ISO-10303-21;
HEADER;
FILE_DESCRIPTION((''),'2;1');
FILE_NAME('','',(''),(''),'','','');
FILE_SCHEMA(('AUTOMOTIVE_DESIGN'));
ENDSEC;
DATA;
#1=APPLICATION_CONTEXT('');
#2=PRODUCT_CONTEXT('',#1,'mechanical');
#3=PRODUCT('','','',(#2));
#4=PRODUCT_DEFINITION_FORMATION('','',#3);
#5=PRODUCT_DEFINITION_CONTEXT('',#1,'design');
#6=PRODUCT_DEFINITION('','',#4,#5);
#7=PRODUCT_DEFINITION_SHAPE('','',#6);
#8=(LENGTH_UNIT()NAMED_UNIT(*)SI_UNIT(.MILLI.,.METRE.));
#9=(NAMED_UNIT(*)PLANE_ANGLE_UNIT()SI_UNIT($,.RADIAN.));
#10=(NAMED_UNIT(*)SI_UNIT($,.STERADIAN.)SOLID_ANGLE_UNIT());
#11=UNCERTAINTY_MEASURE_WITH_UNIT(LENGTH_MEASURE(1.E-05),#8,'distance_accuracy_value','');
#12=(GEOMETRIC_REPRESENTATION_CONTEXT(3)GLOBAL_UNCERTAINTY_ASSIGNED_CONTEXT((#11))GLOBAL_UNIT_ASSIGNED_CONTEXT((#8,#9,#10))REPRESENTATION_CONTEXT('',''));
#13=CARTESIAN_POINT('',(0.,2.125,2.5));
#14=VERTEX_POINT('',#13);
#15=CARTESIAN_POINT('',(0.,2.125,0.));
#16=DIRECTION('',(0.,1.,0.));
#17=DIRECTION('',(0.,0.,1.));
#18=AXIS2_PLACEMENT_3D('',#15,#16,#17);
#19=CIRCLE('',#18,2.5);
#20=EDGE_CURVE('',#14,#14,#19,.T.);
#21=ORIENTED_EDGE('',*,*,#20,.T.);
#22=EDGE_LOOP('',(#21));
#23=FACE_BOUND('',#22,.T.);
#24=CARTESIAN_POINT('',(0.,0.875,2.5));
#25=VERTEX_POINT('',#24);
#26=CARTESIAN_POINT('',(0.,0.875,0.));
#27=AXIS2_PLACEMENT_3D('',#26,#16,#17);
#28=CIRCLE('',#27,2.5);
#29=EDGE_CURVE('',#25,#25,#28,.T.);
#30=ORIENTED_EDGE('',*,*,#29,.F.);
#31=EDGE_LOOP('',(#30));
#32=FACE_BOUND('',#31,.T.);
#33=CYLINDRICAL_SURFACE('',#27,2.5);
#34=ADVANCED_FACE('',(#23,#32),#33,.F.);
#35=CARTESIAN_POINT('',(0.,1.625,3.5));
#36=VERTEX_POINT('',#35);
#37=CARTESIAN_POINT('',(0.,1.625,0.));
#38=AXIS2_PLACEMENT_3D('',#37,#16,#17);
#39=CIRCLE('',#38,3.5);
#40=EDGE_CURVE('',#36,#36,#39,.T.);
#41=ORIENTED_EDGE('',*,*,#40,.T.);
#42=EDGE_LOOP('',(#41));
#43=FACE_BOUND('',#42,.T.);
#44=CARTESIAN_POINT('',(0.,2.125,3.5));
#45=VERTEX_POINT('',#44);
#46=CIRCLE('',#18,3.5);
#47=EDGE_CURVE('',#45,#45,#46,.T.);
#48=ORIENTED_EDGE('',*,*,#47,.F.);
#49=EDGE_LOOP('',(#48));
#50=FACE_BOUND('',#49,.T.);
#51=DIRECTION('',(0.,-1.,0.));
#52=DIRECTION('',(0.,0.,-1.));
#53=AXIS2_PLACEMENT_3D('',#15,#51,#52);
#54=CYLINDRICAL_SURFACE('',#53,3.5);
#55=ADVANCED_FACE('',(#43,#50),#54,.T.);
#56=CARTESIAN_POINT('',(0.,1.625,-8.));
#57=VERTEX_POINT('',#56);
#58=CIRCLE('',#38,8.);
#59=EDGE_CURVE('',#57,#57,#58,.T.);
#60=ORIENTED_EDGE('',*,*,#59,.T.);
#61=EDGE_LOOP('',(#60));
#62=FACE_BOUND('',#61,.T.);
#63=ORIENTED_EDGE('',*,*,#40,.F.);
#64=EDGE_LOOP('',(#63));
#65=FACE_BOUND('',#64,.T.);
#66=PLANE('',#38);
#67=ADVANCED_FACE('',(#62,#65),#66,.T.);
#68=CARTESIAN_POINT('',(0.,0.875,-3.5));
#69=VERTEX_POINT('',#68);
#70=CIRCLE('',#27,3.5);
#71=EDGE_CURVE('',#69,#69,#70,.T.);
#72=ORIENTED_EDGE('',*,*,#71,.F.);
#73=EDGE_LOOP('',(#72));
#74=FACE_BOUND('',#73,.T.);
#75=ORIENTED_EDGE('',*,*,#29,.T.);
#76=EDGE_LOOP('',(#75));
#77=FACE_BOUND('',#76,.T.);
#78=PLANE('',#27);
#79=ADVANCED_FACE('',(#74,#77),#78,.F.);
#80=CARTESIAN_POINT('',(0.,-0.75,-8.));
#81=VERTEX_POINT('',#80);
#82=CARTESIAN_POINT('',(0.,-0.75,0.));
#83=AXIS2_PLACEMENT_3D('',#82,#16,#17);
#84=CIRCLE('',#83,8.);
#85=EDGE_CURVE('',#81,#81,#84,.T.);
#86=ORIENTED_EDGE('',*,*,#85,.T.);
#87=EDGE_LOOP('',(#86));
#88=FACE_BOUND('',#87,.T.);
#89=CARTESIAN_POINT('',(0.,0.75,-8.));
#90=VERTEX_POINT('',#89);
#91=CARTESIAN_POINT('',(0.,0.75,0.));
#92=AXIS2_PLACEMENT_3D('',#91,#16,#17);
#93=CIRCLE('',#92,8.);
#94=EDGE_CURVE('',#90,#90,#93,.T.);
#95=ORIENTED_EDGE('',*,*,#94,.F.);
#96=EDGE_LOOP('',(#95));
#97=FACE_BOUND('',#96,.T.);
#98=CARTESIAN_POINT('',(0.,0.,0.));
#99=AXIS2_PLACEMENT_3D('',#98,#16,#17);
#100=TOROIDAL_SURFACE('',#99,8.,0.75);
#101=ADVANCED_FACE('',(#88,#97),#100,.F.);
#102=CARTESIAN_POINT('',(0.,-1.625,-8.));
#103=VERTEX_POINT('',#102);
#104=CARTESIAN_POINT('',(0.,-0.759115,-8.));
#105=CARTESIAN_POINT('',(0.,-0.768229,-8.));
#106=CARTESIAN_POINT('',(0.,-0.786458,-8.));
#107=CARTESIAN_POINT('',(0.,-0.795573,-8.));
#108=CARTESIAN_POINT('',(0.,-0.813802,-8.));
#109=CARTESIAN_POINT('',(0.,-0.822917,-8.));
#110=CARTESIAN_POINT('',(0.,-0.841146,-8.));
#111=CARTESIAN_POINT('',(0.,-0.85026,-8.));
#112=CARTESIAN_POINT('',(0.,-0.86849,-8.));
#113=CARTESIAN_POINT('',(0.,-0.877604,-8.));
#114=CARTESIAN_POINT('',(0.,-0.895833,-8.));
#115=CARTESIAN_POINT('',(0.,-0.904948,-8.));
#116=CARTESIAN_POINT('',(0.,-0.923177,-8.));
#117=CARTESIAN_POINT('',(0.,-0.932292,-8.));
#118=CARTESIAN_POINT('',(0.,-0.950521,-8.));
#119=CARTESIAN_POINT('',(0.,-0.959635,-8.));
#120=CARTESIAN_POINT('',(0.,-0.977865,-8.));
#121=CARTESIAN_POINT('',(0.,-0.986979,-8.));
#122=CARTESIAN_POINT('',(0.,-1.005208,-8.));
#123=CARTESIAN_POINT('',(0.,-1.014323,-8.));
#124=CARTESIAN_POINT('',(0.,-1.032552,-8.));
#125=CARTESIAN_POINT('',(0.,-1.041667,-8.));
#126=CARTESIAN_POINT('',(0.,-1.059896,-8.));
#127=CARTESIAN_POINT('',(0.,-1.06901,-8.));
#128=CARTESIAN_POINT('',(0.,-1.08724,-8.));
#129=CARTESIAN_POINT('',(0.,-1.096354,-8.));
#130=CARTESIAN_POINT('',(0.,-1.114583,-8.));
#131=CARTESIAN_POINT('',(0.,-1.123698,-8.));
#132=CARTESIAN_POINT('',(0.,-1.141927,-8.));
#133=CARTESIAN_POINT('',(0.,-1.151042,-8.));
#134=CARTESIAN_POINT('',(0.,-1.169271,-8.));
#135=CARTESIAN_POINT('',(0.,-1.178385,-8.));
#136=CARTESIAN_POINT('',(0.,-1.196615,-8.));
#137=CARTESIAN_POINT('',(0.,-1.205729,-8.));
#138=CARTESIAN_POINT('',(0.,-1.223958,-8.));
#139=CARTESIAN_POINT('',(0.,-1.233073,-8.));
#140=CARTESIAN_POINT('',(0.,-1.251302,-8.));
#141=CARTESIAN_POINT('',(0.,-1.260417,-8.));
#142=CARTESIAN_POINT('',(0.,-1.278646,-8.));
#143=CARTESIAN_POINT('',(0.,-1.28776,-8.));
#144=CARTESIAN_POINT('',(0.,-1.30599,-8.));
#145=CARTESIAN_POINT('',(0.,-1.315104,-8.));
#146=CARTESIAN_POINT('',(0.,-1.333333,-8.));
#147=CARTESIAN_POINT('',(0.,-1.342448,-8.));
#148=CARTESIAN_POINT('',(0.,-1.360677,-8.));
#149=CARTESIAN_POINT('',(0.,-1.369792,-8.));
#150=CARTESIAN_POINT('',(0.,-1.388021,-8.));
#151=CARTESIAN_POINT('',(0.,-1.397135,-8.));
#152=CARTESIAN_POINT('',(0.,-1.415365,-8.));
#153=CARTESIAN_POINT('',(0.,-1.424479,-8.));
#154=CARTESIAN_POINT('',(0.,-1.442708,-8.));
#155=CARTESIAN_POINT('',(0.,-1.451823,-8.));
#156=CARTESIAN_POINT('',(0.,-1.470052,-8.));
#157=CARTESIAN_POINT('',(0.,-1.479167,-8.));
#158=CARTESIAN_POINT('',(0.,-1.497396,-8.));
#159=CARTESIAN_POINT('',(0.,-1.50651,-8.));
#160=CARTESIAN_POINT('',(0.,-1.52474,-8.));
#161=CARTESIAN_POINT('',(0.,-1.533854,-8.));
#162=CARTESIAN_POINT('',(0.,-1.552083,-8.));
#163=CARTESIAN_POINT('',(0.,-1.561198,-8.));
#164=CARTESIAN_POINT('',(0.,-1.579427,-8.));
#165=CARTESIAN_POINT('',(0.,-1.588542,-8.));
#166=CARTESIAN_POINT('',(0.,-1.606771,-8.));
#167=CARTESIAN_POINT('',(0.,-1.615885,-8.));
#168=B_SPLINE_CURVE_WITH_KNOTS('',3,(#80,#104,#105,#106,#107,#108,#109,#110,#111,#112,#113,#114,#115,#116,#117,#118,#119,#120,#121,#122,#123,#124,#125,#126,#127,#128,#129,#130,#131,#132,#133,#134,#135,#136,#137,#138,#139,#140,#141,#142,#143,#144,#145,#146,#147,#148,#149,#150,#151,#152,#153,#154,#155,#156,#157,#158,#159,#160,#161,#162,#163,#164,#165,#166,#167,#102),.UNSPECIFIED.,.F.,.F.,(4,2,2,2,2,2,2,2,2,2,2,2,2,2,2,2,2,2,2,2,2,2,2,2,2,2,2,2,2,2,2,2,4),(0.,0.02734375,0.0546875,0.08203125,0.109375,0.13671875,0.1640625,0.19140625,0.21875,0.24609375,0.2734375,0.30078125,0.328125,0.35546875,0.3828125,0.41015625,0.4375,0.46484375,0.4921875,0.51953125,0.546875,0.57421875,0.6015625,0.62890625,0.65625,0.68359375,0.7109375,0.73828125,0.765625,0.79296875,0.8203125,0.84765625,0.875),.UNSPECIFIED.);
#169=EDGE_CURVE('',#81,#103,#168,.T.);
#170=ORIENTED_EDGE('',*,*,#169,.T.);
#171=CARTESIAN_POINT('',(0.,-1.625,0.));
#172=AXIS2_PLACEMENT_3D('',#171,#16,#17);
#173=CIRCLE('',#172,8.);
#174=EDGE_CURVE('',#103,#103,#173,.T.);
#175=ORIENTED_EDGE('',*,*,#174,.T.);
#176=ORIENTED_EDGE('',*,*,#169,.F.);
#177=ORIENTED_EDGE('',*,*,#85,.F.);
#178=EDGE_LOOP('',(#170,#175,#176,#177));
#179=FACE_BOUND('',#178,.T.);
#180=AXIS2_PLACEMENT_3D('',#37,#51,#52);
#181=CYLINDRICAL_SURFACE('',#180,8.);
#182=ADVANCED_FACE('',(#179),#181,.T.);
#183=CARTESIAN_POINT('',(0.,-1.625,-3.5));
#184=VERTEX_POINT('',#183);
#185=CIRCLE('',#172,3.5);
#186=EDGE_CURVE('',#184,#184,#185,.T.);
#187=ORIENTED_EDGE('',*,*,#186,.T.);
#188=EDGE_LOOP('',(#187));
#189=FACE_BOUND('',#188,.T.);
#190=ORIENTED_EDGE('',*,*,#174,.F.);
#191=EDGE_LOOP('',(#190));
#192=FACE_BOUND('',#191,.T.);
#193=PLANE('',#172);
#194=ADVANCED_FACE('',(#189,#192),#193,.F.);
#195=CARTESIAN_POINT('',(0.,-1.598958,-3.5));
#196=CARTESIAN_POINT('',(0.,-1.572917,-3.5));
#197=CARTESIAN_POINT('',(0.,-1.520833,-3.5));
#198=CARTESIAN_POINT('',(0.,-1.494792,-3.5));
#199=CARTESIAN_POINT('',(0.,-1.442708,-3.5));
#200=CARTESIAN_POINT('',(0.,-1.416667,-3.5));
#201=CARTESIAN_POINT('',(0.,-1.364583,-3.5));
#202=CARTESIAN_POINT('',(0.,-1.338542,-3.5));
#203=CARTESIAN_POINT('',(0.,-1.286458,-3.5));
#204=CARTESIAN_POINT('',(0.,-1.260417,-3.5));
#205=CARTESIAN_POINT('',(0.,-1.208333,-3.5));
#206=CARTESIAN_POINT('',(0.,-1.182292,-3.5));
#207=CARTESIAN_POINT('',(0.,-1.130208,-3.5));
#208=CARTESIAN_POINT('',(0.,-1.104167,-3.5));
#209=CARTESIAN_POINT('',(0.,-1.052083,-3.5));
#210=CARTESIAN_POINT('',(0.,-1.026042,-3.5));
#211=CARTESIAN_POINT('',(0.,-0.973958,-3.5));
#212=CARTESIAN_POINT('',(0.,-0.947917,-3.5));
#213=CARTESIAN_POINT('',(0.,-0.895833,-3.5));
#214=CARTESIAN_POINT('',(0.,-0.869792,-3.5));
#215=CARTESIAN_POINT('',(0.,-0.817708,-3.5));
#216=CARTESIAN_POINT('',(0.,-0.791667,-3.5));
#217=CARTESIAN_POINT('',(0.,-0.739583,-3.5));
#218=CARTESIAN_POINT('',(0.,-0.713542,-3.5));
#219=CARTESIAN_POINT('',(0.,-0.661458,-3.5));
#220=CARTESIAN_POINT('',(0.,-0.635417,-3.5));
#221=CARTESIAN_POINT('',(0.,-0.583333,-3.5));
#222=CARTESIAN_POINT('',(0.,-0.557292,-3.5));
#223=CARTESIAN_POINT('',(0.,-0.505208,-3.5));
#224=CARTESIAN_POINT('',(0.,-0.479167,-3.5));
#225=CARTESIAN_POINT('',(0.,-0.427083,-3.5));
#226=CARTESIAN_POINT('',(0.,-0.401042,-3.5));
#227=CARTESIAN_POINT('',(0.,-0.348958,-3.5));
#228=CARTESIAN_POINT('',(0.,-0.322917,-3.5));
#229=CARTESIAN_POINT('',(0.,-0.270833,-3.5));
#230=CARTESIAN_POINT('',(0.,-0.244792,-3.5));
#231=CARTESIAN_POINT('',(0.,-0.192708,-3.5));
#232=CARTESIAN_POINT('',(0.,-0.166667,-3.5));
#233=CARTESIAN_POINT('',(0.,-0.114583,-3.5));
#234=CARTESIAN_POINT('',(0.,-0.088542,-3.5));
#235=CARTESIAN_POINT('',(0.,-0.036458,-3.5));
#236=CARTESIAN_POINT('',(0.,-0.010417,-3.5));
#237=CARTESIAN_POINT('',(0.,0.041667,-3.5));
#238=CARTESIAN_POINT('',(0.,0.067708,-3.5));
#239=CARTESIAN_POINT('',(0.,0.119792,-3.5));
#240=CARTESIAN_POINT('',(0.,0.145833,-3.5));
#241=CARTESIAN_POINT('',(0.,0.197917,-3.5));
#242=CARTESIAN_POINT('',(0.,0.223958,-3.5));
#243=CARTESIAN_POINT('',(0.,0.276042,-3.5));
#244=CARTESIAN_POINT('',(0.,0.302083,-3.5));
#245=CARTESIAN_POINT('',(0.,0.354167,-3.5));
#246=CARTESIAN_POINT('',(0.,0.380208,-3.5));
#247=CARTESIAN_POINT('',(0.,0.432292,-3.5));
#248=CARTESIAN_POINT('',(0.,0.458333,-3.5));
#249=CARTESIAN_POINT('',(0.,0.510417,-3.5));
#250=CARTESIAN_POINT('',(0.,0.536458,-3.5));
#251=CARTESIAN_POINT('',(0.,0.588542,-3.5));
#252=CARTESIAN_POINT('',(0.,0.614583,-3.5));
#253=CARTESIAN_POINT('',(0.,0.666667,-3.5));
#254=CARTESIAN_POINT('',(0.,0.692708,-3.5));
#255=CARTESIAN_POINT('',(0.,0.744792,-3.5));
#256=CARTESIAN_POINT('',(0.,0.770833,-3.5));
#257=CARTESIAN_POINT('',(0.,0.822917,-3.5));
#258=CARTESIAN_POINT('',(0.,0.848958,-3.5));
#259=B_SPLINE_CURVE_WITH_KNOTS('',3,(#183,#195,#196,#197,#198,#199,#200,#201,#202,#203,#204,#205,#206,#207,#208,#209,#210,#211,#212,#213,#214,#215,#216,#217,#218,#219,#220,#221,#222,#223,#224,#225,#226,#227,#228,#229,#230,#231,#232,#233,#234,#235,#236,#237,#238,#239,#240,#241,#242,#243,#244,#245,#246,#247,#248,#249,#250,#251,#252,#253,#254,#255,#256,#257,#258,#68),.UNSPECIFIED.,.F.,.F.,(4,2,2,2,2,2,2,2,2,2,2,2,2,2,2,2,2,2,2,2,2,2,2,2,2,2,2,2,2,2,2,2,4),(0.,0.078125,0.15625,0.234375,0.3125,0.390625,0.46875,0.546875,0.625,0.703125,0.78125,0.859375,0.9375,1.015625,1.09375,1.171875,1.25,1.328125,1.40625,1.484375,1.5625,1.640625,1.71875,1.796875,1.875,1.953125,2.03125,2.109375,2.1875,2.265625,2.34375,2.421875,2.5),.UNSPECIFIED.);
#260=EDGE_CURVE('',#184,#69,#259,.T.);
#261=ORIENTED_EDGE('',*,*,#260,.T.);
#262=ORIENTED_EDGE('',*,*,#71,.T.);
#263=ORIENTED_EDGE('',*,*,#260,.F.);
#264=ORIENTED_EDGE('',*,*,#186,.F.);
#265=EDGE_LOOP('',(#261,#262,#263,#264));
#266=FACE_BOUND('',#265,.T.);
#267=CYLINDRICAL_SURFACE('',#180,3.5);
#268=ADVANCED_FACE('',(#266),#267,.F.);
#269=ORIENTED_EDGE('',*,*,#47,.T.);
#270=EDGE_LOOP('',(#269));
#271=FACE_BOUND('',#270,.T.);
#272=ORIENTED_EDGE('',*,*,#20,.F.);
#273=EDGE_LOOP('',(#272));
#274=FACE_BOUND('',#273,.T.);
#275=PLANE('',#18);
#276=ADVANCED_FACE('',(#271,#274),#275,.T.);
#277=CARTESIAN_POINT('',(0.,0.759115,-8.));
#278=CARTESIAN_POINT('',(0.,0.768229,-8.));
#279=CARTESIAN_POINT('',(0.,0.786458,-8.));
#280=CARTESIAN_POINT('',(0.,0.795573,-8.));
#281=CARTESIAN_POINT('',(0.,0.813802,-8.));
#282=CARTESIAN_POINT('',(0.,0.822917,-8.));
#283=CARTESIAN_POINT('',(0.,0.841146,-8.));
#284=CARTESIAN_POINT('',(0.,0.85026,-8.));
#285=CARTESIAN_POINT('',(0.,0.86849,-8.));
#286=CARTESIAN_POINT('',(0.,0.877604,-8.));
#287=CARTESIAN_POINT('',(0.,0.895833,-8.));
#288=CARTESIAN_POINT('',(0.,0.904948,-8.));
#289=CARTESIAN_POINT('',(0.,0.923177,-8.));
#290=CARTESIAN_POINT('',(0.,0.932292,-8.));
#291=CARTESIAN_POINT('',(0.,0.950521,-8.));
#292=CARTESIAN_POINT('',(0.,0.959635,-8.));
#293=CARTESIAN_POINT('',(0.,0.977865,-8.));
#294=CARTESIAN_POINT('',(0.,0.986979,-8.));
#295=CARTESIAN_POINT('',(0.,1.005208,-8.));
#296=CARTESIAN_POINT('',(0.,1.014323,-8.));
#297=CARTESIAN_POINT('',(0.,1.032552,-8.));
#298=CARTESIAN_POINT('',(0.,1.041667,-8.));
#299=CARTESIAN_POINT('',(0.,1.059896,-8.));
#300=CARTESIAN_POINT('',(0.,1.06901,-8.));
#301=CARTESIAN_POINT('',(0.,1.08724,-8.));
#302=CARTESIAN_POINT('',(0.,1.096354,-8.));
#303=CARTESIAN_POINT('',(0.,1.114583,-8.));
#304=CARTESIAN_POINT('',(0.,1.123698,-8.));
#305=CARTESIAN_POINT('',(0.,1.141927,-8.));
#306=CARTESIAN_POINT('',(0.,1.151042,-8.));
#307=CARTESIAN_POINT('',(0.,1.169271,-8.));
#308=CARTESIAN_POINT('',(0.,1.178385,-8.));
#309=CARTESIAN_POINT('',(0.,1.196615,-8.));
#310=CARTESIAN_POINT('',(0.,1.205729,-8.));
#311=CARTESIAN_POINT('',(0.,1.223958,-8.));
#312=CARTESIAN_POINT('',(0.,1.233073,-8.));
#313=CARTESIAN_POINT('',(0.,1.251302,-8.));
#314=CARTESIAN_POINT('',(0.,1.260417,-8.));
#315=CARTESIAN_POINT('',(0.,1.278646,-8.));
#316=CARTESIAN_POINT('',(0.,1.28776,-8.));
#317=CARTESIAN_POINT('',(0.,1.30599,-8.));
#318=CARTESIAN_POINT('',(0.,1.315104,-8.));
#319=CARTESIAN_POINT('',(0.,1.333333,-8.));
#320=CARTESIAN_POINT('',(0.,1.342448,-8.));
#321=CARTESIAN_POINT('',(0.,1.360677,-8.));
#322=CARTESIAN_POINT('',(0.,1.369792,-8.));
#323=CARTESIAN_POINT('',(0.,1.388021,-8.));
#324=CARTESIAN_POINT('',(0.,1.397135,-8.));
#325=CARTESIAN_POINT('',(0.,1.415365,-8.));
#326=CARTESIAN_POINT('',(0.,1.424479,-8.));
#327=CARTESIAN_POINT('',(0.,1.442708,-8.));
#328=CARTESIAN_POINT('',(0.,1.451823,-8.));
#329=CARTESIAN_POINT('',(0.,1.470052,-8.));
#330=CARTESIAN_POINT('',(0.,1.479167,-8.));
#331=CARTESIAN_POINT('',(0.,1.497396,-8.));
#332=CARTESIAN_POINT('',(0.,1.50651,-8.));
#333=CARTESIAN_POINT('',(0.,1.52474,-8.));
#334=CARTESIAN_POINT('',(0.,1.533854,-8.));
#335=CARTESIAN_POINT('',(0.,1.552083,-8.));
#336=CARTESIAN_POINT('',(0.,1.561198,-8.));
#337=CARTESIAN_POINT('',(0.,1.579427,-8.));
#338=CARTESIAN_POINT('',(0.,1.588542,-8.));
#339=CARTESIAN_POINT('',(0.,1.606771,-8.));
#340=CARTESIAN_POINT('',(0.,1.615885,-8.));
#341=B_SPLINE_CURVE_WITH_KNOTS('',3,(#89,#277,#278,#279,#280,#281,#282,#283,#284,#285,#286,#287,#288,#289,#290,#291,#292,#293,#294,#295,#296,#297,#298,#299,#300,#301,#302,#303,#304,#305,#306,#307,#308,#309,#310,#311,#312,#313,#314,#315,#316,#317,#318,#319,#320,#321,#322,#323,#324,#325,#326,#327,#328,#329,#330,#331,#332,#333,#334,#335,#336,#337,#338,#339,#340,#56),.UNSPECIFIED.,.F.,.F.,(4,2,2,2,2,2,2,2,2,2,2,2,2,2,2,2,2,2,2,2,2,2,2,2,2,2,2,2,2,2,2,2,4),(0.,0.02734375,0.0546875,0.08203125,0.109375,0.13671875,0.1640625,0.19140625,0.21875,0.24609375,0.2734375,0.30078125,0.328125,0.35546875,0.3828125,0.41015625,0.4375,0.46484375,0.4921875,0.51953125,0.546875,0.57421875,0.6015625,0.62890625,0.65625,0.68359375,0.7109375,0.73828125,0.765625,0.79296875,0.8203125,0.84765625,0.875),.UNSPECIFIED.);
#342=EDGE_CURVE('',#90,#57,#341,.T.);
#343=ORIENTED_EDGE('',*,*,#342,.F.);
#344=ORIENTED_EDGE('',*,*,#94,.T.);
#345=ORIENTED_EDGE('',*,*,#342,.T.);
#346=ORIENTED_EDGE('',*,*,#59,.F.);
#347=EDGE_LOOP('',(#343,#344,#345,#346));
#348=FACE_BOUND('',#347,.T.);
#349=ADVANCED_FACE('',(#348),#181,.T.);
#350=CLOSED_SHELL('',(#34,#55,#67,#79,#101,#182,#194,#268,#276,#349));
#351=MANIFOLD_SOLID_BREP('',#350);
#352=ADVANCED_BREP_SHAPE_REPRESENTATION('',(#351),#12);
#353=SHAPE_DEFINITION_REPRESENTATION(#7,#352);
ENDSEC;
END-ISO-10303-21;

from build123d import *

# Parameters (mm, degrees)
SKETCH1_R           = 8
SKETCH1_R_2         = 3.5
BOSS_EXTRUDE1_DEPTH = 1.625
BOSS_EXTRUDE2_START = -0.75
SKETCH3_R           = 3.5
SKETCH3_R_2         = 2.5
BOSS_EXTRUDE2_DEPTH = 0.75
SKETCH4_R           = 3.5
SKETCH4_R_2         = 2.5
BOSS_EXTRUDE3_DEPTH = 0.5


with BuildPart() as part:
    # Sketch1 → Boss-Extrude1 (new, symmetric)
    with BuildSketch(Plane(origin=(0, 0, 0), x_dir=(1, 0, 0), z_dir=(0, 1, 0))):
        with Locations(Location((0, 0, 0), (0, 0, 90))):
            Circle(SKETCH1_R)
        with Locations(Location((0, 0, 0), (0, 0, 90))):
            Circle(SKETCH1_R_2, mode=Mode.SUBTRACT)
    extrude(amount=BOSS_EXTRUDE1_DEPTH, both=True)

    # Sketch2 → Cut-Revolve1 (revolve, cut)
    with BuildSketch(Plane(origin=(0, 0, 0), x_dir=(0, 0, -1), z_dir=(1, 0, 0)), mode=Mode.PRIVATE) as cut_revolve1_sk:
        with BuildLine():
            Line((-8, 0.75), (-8, -0.75))
            ThreePointArc((-8, -0.75), (-7.25, 0), (-8, 0.75))
        make_face()
    revolve(cut_revolve1_sk.sketch.rotate(Axis((0, 1.625, 0), (0, -1, 0)), 180), axis=Axis((0, 1.625, 0), (0, -1, 0)), mode=Mode.SUBTRACT)

    # Sketch3 → Boss-Extrude2 (add)
    with BuildSketch(Plane(origin=(0, 1.625, 0), x_dir=(1, 0, 0), z_dir=(0, 1, 0)).offset(BOSS_EXTRUDE2_START)):
        with Locations(Location((0, 0, 0), (0, 0, 90))):
            Circle(SKETCH3_R)
        with Locations(Location((0, 0, 0), (0, 0, 270))):
            Circle(SKETCH3_R_2, mode=Mode.SUBTRACT)
    extrude(amount=BOSS_EXTRUDE2_DEPTH)

    # Sketch4 → Boss-Extrude3 (add)
    with BuildSketch(Plane(origin=(0, 1.625, 0), x_dir=(1, 0, 0), z_dir=(0, 1, 0))):
        with Locations(Location((0, 0, 0), (0, 0, 90))):
            Circle(SKETCH4_R)
        with Locations(Location((0, 0, 0), (0, 0, 270))):
            Circle(SKETCH4_R_2, mode=Mode.SUBTRACT)
    extrude(amount=BOSS_EXTRUDE3_DEPTH)


solid = part.part
